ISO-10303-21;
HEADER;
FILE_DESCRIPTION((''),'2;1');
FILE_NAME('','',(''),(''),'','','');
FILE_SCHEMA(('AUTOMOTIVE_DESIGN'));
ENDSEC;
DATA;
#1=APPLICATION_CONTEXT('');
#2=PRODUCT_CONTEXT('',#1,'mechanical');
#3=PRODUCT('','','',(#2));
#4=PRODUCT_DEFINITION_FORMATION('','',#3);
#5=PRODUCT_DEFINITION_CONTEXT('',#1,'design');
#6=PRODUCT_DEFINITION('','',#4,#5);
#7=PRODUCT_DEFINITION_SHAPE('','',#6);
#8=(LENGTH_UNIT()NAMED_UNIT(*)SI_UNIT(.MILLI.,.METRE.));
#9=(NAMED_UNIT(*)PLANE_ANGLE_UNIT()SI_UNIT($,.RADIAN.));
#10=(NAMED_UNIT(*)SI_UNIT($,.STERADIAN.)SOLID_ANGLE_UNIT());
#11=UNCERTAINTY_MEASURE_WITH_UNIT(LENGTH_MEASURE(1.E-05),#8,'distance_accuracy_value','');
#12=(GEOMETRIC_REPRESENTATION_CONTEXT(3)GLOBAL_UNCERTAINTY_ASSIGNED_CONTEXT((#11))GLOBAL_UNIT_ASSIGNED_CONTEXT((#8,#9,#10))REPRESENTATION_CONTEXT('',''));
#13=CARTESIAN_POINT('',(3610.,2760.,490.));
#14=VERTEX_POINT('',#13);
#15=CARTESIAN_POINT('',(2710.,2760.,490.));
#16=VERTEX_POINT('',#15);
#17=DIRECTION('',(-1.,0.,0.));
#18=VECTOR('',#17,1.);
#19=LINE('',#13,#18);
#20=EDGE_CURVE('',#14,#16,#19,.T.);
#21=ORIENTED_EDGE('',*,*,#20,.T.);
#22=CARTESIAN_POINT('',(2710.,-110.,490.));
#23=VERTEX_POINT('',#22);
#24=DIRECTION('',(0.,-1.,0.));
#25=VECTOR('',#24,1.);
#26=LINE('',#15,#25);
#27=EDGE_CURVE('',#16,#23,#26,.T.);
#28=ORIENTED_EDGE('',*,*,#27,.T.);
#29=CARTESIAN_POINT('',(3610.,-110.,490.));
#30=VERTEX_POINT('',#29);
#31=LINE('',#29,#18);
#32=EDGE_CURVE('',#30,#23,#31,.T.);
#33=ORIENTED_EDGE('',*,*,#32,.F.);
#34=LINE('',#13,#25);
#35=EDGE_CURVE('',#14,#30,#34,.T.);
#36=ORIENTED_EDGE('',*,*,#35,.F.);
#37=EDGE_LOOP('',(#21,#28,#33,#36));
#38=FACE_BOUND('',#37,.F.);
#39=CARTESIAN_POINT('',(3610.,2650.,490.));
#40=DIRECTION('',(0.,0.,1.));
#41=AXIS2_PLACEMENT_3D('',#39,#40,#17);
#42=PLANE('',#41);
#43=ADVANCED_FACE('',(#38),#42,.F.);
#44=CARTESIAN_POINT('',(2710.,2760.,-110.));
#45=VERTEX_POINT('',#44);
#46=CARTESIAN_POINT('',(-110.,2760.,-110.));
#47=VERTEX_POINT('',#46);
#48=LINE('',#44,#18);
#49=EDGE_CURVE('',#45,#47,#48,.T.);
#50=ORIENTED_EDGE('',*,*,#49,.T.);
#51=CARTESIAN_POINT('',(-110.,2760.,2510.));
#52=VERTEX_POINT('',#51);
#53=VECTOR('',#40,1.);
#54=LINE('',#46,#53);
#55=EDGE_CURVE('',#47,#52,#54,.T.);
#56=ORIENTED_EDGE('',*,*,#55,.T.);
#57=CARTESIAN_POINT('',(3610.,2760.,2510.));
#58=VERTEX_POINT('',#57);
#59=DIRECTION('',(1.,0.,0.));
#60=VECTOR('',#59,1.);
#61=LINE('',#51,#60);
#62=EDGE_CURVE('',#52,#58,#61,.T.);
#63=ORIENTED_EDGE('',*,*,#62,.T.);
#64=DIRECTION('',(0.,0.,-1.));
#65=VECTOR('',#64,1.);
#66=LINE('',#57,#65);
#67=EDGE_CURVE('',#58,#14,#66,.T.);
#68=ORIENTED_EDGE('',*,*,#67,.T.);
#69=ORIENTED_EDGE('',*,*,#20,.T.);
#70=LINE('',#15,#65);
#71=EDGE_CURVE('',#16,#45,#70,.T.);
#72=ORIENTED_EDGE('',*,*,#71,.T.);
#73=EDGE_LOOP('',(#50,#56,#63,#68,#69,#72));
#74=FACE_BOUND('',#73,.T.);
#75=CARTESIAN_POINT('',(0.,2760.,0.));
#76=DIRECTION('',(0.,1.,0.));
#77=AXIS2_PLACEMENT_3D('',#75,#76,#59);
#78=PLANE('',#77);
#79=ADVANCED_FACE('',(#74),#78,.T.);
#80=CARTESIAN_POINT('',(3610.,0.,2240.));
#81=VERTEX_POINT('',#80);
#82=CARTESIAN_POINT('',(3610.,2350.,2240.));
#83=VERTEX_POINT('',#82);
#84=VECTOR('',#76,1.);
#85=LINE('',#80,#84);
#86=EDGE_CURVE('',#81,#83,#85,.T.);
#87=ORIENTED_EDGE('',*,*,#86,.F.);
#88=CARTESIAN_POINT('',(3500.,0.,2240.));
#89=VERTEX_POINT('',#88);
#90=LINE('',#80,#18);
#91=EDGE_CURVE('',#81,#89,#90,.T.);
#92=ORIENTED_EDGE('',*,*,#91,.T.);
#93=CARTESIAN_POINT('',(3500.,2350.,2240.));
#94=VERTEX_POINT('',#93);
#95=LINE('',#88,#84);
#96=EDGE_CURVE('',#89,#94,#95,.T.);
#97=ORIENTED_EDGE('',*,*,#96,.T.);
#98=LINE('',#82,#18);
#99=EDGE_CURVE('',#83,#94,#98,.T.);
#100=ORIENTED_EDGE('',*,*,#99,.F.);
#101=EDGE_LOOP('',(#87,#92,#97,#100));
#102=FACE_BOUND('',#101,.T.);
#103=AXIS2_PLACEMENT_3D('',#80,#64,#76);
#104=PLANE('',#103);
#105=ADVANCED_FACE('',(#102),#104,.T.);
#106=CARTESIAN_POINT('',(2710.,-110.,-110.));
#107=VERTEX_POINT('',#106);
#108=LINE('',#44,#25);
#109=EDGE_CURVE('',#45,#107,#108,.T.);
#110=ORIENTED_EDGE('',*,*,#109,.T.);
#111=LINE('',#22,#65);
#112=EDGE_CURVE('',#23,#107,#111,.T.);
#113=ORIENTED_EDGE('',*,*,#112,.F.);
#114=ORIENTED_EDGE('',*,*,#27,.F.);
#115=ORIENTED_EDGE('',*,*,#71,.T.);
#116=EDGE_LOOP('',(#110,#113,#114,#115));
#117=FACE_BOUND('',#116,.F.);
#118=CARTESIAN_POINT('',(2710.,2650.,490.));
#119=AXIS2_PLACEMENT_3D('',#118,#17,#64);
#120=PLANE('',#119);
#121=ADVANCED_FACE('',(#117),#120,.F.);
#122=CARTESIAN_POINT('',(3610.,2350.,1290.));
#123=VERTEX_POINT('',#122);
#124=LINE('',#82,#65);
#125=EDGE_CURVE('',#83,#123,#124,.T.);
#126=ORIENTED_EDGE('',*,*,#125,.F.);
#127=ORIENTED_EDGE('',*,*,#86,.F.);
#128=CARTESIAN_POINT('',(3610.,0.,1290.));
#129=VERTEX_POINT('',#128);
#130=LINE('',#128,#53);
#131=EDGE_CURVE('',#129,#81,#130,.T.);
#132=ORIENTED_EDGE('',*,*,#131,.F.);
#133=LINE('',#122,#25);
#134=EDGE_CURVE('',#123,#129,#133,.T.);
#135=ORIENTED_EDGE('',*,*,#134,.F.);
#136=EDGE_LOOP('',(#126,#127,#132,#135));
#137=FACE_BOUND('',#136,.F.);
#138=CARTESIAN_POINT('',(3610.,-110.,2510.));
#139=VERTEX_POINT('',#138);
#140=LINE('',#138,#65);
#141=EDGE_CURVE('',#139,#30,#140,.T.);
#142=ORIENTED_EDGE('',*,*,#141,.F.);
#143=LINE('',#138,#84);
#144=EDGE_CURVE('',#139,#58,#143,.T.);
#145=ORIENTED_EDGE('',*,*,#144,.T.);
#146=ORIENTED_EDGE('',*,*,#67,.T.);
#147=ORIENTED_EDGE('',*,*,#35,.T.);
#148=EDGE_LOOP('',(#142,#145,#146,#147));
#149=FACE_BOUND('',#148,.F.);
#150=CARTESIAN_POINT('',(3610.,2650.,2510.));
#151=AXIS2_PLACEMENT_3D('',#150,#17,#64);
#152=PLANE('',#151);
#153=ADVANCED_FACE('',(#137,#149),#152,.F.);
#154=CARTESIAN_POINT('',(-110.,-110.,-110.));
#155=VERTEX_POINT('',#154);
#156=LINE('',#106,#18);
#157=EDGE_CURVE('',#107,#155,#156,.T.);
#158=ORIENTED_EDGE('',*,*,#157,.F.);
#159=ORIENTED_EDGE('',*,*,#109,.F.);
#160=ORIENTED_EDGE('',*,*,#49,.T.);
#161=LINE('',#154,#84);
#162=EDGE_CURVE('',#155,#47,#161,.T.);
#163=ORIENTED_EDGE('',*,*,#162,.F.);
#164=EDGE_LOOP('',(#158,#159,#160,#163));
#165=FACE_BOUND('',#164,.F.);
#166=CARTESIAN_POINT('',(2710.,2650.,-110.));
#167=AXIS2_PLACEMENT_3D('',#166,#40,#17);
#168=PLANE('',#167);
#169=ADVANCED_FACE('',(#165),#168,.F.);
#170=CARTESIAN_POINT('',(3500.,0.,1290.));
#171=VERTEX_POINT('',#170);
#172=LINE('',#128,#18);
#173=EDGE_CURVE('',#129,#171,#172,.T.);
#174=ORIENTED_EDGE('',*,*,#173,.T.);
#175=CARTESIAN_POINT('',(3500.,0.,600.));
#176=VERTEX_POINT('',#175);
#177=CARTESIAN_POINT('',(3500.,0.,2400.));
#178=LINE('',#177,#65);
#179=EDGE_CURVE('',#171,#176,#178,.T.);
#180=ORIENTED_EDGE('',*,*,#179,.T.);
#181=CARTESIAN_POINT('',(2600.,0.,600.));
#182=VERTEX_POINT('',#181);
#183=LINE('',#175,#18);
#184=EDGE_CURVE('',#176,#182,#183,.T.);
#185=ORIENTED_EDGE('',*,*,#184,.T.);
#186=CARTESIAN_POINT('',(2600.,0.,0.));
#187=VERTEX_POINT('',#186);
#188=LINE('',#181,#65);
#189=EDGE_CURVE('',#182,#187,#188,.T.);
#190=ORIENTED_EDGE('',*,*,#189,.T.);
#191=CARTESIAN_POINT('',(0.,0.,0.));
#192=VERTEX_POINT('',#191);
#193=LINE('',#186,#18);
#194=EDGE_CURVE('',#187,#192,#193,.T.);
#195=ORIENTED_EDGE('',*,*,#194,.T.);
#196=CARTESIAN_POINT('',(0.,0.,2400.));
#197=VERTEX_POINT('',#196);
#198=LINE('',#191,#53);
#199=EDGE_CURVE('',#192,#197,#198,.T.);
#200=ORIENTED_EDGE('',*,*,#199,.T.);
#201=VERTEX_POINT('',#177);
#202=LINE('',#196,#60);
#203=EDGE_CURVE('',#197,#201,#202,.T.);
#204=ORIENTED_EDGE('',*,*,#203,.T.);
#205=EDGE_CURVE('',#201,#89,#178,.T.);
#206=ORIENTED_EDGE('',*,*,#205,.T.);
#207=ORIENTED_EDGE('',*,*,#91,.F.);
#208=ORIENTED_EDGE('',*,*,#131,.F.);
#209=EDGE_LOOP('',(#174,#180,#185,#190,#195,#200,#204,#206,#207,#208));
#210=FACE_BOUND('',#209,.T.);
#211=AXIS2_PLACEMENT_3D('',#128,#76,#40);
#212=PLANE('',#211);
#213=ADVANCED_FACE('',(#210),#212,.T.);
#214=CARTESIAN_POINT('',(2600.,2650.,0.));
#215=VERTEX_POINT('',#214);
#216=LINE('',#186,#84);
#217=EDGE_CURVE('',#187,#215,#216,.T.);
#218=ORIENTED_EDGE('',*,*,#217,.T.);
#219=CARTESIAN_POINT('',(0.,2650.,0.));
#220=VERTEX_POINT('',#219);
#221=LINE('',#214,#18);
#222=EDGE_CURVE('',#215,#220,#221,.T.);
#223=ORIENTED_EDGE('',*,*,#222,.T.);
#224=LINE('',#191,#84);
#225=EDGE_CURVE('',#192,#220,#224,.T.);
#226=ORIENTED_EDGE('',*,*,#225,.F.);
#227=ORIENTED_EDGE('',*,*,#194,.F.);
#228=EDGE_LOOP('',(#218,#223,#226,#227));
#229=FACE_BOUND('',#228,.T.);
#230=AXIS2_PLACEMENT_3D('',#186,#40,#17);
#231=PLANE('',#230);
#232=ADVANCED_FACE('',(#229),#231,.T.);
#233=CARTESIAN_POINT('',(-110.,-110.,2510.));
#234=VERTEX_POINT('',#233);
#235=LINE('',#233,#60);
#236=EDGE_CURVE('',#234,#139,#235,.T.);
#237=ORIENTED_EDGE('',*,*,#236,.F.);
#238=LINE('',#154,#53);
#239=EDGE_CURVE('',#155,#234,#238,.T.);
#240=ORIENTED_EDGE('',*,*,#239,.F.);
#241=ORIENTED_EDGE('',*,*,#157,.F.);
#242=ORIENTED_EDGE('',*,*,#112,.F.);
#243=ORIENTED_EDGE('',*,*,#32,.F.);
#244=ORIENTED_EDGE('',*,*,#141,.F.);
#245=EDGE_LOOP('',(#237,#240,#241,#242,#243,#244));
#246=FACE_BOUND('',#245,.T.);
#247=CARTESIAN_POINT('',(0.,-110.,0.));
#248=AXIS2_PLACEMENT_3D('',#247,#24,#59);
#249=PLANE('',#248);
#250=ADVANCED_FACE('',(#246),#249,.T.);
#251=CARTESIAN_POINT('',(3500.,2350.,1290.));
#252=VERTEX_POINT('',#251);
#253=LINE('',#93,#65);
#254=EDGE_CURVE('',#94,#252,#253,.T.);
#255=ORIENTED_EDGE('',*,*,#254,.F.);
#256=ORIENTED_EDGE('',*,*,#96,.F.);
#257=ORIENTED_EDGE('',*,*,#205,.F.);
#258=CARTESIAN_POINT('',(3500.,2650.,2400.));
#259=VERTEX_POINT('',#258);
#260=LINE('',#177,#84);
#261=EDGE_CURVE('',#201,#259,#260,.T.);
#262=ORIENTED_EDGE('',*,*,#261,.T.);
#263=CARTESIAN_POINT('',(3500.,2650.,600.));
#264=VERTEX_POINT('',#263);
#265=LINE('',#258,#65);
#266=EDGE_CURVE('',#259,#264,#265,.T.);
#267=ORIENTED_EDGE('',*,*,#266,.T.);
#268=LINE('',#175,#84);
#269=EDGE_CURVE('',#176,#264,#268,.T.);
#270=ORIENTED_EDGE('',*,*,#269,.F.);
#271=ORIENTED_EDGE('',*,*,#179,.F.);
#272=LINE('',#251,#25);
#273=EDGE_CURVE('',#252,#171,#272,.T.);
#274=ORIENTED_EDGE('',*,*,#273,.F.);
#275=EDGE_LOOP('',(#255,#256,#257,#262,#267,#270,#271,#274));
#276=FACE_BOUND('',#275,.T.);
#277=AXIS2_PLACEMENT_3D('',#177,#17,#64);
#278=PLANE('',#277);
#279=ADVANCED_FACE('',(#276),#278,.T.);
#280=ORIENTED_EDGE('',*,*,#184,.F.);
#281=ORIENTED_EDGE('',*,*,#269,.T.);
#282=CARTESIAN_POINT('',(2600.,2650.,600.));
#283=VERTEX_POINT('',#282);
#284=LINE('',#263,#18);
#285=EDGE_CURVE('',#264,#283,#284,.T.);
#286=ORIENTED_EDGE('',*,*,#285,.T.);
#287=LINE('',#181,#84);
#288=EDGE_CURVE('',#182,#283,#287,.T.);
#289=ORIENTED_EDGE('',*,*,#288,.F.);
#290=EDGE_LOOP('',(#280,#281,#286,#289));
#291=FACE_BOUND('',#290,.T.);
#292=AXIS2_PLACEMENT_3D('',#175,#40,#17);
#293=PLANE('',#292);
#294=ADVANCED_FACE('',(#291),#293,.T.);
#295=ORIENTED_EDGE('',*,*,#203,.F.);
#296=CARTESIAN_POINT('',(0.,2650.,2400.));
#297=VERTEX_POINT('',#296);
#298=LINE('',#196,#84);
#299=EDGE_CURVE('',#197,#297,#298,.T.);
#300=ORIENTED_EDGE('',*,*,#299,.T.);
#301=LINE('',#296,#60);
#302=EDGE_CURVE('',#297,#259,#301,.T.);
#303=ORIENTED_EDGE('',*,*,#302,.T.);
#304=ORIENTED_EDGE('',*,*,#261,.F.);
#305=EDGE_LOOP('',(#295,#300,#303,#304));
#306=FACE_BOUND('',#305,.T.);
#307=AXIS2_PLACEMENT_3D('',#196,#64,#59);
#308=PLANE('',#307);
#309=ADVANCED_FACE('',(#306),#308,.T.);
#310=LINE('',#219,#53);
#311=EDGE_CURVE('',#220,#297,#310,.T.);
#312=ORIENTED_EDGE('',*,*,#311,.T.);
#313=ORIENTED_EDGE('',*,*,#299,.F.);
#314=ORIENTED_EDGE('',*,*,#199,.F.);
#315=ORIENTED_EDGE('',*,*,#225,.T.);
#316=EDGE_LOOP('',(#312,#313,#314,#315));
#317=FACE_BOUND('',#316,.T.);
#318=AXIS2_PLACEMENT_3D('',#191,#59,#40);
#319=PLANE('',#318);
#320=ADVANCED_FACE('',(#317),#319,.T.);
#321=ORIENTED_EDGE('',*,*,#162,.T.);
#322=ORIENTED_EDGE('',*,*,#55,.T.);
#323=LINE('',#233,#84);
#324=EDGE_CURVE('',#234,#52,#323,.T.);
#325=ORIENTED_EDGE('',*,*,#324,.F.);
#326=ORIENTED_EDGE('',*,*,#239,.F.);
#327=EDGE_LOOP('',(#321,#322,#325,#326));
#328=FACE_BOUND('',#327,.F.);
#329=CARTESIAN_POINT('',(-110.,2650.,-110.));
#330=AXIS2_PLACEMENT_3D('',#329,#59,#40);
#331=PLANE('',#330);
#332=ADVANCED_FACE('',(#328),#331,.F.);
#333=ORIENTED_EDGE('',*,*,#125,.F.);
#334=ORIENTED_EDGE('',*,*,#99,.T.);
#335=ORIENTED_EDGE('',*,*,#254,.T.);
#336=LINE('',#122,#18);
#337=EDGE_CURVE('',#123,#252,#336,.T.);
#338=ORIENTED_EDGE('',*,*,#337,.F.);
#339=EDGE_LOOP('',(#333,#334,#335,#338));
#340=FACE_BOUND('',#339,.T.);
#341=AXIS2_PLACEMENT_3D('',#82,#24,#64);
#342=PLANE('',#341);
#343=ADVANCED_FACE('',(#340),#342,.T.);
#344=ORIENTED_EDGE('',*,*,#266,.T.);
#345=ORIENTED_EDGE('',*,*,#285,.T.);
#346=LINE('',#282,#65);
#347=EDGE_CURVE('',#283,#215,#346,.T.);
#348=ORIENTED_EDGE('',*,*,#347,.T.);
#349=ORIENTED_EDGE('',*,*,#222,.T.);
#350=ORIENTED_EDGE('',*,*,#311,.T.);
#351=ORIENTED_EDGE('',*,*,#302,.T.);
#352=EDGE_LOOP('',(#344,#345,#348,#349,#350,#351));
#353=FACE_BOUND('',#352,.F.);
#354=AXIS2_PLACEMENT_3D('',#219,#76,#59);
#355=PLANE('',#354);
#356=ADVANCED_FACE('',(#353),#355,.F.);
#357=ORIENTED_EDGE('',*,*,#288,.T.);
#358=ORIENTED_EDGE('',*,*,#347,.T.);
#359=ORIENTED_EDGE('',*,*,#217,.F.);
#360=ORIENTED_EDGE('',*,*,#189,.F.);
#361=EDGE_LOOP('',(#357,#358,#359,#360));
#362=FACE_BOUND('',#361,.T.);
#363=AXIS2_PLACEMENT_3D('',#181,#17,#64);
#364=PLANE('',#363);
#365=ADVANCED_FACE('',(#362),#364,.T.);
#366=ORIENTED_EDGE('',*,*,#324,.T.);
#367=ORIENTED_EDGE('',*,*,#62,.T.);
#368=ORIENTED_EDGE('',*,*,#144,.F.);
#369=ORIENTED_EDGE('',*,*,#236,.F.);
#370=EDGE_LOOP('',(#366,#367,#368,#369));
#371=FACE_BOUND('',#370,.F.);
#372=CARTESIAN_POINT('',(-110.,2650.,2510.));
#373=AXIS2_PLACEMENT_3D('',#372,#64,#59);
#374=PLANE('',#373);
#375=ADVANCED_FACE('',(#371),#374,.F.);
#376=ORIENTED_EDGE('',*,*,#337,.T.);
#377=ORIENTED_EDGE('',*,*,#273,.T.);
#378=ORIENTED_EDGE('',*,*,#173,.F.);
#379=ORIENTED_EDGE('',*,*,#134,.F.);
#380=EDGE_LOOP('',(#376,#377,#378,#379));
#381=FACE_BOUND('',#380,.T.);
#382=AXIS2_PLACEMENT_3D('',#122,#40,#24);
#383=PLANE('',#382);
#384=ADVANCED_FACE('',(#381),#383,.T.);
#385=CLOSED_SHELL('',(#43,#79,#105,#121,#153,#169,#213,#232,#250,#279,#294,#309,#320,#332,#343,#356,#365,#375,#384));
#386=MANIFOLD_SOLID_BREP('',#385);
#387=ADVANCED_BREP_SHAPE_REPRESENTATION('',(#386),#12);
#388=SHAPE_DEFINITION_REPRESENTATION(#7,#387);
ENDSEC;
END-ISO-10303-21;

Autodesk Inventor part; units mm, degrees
sketch "草图1" plane through (0, 0, 0) normal (0, 1, 0) x (-1, 0, 0)
  line L0 (0, 0) -> (0, 2400)
  line L1 (0, 2400) -> (-3500, 2400)
  line L2 (-3500, 2400) -> (-3500, 600)
  line L3 (-3500, 600) -> (-2600, 600)
  line L4 (-2600, 600) -> (-2600, 0)
  line L5 (-2600, 0) -> (0, 0)
  line L6 (110, 2510) -> (110, -110)
  line L7 (110, -110) -> (-2710, -110)
  line L8 (-2710, -110) -> (-2710, 490)
  line L9 (-2710, 490) -> (-3610, 490)
  line L10 (-3610, 490) -> (-3610, 2510)
  line L11 (-3610, 2510) -> (110, 2510)
  dimension "d0" = 2400
  dimension "d1" = 3500
  dimension "d2" = 1800
  dimension "d3" = 900
  dimension "d4" = 600
  dimension "d5" = 110
extrude "拉伸1" add sketch "草图1" along normal blind 2650
sketch "草图2" plane through (0, 0, 0) normal (0, -1, 0) x (1, 0, 0)
  line L0 (3610, 2510) -> (3610, 490) projected
  line L1 (-110, 2510) -> (3610, 2510) projected
  line L2 (-110, -110) -> (-110, 2510) projected
  line L3 (2710, -110) -> (-110, -110) projected
  line L4 (2710, 490) -> (2710, -110) projected
  line L5 (3610, 490) -> (2710, 490) projected
  point P0 (0, 0)
extrude "拉伸2" add sketch "草图2" along normal blind 110
sketch "草图3" plane through (0, 2650, 0) normal (0, 1, 0) x (1, 0, 0)
  line L0 (-110, 110) -> (-110, -2510) projected
  line L1 (-110, -2510) -> (3610, -2510) projected
  line L2 (3610, -2510) -> (3610, -490) projected
  line L3 (3610, -490) -> (2710, -490) projected
  line L4 (2710, -490) -> (2710, 110) projected
  line L5 (2710, 110) -> (-110, 110) projected
  point P0 (0, 0)
extrude "拉伸3" add sketch "草图3" along normal blind 110
sketch "草图4" plane through (3610, -110, 2510) normal (1, 0, 0) x (0, 0, -1)
  line L0 (270, 2460) -> (1220, 2460)
  line L1 (1220, 2460) -> (1220, 110)
  line L2 (1220, 110) -> (270, 110)
  line L3 (270, 110) -> (270, 2460)
  line L4 (2020, 0) -> (2020, 2870) projected
  line L5 (0, 2870) -> (2020, 2870) projected
  point P0 (2510, 110)
  dimension "d12" = 950
  dimension "d13" = 2350
  dimension "d14" = 800
  dimension "d15" = 410
extrude "拉伸4" cut sketch "草图4" against normal blind 110
sketch "草图5" plane through (0, 2760, 0) normal (0, 1, 0) x (1, 0, 0)
  line L0 (-110, -2510) -> (3610, -2510) projected
  line L1 (3610, -2510) -> (3610, -490) projected
  line L2 (3610, -490) -> (2710, -490) projected
  line L3 (2710, -490) -> (2710, 110) projected
  line L4 (2710, 110) -> (-110, 110) projected
  line L5 (-110, 110) -> (-110, -2510) projected
  point P0 (0, 0)
extrude "拉伸5" [suppressed]
ref_plane "工作平面1" through (2600, -110, 490) normal (1, 0, 0) x (0, 0, -1)
ref_plane "工作平面2" through (0, -110, -110) normal (-1, 0, 0) x (0, 0, 1)
ref_plane "工作平面3" through (2710, -110, 0) normal (0, 0, -1) x (-1, 0, 0)
ref_plane "工作平面4" through (0, 0, 0) normal (0, -1, 0) x (1, 0, 0)
ref_plane "工作平面5" through (-110, -110, 2400) normal (0, 0, 1) x (1, 0, 0)
ref_plane "工作平面6" through (1810, -110, 2510) normal (1, 0, 0) x (0, 0, -1)
ref_plane "工作平面7" through (0, 1500, 0) normal (0, -1, 0) x (1, 0, 0)
ref_plane "工作平面8" through (-110, -110, 1100) normal (0, 0, 1) x (1, 0, 0)
ref_plane "工作平面9" through (0, 2650, 0) normal (0, 1, 0) x (1, 0, 0)
ref_plane "工作平面10" through (3500, -110, 2510) normal (1, 0, 0) x (0, 0, -1)
sketch "草图6" plane through (3610, -110, 2510) normal (1, 0, 0) x (0, 0, -1)
  point P0 (2510, 110)
ref_plane "工作平面11" through (3610, -110, 2510) normal (1, 0, 0) x (0, 0, -1)
properties part number "room" material "混凝土"
